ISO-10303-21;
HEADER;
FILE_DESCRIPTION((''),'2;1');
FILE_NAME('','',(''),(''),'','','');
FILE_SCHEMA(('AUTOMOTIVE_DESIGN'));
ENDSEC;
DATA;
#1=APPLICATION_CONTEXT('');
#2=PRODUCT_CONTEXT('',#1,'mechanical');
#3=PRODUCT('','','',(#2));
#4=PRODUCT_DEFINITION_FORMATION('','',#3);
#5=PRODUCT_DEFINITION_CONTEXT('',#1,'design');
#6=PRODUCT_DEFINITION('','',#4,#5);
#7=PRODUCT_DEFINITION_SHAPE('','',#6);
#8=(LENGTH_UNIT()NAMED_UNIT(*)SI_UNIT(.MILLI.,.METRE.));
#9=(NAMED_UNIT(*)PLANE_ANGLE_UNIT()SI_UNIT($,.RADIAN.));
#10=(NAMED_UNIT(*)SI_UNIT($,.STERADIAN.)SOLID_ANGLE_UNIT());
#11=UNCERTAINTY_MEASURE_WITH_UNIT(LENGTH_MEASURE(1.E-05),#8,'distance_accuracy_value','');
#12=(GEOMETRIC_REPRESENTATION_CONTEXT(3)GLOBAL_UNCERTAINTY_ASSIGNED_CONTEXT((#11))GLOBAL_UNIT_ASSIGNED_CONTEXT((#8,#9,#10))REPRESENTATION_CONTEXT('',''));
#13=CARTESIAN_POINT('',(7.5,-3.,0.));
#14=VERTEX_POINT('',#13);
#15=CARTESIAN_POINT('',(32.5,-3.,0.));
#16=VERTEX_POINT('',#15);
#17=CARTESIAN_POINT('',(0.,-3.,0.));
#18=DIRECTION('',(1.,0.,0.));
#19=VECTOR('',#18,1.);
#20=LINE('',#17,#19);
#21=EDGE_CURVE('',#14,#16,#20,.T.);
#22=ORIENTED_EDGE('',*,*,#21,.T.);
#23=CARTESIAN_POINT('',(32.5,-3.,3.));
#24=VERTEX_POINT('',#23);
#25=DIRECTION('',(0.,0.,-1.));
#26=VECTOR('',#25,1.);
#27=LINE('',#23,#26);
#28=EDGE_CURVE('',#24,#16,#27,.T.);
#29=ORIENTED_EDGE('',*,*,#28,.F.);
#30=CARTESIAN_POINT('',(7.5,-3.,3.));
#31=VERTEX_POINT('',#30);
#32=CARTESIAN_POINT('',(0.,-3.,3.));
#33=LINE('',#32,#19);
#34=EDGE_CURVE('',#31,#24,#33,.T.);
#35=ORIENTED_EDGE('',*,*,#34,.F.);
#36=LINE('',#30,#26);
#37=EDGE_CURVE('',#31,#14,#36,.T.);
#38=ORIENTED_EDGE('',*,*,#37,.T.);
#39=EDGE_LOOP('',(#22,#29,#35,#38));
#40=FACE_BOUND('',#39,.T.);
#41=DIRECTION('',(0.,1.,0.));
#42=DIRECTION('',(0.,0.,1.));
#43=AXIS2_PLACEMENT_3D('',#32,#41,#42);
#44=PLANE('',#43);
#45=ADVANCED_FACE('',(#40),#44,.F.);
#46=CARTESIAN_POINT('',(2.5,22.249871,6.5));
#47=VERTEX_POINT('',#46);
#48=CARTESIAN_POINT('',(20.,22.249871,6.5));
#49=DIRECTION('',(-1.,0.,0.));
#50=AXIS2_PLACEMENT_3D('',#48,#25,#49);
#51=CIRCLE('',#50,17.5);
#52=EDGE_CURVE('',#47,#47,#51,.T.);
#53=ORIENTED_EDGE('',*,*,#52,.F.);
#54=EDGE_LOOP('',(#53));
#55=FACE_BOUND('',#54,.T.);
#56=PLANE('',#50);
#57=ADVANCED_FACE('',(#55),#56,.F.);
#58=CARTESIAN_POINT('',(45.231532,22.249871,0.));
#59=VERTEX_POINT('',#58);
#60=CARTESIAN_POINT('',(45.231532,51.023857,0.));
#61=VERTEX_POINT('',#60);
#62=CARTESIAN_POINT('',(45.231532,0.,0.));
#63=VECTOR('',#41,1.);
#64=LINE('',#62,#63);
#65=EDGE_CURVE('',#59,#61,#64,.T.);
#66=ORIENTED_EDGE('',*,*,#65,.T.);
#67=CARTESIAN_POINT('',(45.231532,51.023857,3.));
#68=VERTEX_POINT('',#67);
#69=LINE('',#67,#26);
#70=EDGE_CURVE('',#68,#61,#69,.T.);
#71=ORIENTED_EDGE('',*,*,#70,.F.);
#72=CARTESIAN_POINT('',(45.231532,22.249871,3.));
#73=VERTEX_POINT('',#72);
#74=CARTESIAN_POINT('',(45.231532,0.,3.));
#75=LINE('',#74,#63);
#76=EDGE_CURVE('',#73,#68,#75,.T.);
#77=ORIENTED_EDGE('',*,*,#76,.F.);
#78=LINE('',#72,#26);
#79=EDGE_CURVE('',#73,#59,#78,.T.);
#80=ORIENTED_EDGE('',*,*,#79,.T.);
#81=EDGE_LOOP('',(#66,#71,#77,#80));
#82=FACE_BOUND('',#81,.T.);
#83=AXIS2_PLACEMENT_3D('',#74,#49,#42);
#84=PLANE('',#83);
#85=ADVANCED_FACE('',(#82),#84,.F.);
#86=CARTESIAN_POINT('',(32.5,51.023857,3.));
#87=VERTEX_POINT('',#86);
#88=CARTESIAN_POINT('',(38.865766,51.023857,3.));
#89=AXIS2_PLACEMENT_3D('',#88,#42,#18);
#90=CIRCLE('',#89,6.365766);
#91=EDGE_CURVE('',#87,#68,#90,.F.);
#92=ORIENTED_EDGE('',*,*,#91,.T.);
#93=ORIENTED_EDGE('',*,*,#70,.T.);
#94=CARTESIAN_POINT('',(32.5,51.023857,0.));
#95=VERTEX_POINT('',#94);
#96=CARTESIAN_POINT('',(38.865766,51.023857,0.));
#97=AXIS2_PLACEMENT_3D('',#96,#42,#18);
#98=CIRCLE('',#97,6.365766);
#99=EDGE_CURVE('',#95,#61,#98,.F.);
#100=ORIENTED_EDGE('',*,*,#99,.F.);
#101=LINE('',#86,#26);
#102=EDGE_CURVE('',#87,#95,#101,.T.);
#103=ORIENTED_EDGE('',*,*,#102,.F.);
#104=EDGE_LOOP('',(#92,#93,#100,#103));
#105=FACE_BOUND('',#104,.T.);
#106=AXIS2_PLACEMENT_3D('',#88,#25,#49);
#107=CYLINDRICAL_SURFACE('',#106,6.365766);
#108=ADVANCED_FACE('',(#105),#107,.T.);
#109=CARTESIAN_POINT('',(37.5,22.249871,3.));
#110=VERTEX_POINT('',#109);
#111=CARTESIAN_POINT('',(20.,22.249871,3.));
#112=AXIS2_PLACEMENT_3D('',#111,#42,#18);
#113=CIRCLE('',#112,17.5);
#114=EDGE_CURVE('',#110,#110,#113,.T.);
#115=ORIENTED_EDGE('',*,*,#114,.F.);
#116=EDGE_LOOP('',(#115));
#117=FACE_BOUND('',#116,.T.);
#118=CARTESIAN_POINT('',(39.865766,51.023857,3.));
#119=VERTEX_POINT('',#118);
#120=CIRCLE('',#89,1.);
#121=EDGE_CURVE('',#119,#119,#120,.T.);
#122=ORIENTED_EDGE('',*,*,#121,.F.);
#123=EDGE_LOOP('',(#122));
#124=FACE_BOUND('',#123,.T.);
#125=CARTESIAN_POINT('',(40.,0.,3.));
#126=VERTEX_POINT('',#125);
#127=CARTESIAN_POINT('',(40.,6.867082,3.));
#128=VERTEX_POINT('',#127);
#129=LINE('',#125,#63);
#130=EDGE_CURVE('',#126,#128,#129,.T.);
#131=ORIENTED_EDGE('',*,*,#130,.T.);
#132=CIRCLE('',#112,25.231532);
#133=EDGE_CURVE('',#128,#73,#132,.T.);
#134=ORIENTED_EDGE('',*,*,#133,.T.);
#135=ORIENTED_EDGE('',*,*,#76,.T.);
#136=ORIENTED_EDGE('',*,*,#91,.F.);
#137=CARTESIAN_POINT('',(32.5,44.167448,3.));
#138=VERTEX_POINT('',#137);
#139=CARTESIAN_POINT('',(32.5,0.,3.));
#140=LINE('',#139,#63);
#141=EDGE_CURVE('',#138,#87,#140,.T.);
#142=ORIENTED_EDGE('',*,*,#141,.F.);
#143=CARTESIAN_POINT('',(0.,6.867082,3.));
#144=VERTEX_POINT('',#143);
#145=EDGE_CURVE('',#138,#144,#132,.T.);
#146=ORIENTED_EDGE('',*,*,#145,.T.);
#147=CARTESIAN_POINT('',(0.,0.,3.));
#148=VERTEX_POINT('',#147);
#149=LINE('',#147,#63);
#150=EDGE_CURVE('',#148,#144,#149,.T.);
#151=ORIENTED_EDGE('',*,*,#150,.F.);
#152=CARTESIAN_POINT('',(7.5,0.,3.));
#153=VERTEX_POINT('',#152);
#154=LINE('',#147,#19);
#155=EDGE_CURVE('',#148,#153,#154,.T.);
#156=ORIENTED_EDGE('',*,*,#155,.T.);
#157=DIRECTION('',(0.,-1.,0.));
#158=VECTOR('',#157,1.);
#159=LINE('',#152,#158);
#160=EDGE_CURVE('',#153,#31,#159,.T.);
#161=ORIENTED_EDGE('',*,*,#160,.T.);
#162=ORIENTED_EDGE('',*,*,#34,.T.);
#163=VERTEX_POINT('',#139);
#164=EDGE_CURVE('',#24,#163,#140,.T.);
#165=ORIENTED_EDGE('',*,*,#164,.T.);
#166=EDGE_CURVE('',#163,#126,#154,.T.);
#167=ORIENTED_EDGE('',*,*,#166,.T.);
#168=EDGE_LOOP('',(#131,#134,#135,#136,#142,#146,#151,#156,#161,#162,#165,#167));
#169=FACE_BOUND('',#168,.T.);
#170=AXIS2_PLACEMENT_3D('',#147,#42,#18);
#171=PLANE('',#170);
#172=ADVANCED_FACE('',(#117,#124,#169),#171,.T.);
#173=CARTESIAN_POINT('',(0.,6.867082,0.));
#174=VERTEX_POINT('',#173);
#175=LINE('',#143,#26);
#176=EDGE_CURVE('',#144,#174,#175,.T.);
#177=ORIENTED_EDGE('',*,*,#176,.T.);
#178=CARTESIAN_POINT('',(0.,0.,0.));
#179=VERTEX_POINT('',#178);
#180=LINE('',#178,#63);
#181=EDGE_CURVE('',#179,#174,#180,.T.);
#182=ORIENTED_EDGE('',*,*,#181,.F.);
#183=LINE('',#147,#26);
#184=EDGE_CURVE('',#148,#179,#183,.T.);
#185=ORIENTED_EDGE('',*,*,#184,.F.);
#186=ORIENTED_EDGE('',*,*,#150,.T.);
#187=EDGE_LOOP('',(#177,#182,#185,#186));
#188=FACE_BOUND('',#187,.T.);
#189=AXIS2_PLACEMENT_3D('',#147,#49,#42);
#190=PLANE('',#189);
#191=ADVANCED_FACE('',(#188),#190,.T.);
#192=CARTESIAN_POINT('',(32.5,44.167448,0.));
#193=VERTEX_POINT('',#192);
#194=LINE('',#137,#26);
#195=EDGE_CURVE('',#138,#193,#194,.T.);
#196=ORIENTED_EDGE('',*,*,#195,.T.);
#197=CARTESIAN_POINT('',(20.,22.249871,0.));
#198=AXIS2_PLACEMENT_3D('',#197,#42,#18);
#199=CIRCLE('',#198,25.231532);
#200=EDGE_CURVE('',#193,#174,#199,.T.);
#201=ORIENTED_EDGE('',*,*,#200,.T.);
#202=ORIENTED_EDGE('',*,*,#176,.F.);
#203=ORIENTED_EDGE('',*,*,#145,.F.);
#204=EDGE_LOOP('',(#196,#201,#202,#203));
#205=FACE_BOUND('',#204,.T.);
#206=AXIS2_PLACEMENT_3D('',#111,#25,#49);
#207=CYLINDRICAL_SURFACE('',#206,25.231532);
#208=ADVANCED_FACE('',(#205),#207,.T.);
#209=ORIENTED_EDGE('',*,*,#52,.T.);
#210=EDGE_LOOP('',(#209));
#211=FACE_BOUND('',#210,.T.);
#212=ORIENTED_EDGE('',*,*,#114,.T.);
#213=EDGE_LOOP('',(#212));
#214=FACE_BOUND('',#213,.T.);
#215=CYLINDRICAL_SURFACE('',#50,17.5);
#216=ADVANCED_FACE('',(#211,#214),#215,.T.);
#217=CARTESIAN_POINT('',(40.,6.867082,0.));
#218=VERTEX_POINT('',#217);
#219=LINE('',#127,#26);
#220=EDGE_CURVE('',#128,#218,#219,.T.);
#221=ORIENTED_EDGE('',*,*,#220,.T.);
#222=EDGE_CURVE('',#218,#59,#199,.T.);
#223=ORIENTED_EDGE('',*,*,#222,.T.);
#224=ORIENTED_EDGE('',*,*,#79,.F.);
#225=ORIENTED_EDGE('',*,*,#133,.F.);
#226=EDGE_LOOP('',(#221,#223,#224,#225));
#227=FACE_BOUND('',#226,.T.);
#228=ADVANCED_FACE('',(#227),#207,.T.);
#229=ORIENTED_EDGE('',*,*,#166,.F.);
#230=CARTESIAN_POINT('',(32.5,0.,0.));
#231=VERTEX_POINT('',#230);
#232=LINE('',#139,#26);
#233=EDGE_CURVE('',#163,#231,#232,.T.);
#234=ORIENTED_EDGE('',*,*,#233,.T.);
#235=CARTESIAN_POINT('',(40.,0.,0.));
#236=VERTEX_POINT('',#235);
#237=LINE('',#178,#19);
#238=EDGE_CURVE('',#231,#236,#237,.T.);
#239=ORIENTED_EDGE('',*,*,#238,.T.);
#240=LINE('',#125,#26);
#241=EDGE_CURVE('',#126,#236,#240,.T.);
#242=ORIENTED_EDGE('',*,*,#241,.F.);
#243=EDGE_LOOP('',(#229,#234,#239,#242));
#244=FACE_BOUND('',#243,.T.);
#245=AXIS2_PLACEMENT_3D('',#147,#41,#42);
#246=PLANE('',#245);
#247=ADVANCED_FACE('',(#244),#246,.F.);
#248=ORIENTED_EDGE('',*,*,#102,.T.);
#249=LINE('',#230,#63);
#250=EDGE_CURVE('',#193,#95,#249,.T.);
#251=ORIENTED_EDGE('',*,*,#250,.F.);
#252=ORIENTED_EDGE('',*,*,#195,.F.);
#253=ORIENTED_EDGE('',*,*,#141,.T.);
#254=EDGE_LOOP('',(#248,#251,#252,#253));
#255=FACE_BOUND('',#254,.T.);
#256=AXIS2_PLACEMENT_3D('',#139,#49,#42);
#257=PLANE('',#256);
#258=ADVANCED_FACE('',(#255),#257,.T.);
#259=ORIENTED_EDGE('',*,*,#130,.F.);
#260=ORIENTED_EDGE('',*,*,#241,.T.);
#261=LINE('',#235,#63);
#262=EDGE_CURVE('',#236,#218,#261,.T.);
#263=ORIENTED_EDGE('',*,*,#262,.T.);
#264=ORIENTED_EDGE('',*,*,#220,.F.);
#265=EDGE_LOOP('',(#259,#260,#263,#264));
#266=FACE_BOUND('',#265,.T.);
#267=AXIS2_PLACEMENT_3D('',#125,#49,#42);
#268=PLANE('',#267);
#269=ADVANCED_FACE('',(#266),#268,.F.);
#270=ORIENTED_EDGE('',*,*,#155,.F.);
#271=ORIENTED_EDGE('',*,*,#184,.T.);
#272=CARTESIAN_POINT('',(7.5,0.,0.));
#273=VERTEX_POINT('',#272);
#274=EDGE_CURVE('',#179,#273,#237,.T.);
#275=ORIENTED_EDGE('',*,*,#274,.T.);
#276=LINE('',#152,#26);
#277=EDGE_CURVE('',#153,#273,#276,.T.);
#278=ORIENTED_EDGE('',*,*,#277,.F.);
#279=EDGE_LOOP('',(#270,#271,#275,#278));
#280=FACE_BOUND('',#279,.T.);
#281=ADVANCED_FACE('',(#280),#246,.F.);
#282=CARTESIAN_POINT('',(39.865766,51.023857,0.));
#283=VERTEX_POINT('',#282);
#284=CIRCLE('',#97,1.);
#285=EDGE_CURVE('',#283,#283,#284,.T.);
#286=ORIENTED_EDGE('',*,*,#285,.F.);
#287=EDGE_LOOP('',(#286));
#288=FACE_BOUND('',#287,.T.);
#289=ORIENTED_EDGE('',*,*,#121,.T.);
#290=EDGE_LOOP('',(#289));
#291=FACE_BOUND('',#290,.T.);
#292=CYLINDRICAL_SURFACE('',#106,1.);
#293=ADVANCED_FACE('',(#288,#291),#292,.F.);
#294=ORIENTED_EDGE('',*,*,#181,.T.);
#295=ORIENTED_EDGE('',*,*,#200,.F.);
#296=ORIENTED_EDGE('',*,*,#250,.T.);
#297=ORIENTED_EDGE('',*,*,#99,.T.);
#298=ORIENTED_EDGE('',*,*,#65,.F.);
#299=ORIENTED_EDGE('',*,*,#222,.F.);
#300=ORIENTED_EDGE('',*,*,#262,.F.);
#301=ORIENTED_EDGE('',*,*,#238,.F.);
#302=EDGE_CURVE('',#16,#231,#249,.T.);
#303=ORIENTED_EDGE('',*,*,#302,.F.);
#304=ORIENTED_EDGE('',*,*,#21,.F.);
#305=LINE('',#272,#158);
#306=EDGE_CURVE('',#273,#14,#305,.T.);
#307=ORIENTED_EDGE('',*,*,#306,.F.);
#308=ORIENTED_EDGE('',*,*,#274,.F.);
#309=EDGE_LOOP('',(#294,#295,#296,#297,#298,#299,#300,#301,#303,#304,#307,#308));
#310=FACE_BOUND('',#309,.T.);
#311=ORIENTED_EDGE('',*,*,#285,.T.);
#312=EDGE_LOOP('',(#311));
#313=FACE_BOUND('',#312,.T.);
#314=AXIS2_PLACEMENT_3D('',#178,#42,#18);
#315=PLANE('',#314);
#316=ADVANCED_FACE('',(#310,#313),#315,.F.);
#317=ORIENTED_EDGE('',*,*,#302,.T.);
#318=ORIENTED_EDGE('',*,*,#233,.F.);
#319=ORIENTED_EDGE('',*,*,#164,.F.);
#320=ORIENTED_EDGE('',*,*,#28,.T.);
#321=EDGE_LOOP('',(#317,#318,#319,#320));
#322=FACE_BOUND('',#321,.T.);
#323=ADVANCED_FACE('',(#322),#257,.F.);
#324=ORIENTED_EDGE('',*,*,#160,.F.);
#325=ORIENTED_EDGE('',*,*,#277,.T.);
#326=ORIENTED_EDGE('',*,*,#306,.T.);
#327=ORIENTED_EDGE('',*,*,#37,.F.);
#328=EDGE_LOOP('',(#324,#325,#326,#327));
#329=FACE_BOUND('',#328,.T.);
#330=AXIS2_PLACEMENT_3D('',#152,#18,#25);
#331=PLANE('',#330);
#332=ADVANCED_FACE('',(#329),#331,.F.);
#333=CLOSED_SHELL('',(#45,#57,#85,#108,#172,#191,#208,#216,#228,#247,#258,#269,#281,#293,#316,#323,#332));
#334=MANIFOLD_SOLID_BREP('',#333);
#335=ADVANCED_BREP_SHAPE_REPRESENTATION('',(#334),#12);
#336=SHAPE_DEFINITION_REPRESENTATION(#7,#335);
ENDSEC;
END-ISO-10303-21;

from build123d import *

# Parameters (mm, degrees)
SKETCH1_R           = 17.265633628
SKETCH1_R_2         = 1
SKETCH1_R_3         = 10
SKETCH1_W           = 25
SKETCH1_H           = 3
BOSS_EXTRUDE5_DEPTH = 3
SKETCH2_R           = 17.5
BOSS_EXTRUDE6_DEPTH = 6.5


with BuildPart() as part:
    # Sketch1 → Boss-Extrude5 (new body)
    # profile 1 of 3: a face of its own
    with BuildSketch(Plane.XY):
        with BuildLine():
            Line((0, 0), (7.5, 0))
            Line((7.5, 0), (32.5, 0))
            Line((32.5, 0), (40, 0))
            Line((40, 0), (40, 6.867081787))
            ThreePointArc((40, 6.867081787), (43.887871625, 14.125845764), (45.231531638, 22.249870507))
            Line((45.231531638, 22.249870507), (45.231531638, 51.023857348))
            ThreePointArc((45.231531638, 51.023857348), (38.865765819, 57.389623167), (32.5, 51.023857348))
            Line((32.5, 51.023857348), (32.5, 44.167447672))
            ThreePointArc((32.5, 44.167447672), (0.97654543, 38.82510399), (0, 6.867081787))
            Line((0, 6.867081787), (0, 0))
        make_face()
        with Locations((20, 22.249870507)):
            Circle(SKETCH1_R, mode=Mode.SUBTRACT)
        with Locations((38.865765819, 51.023857348)):
            Circle(SKETCH1_R_2, mode=Mode.SUBTRACT)
    # profile 2 of 3: a face of its own
    with BuildSketch(Plane.XY):
        with Locations((20, 22.249870507)):
            Circle(SKETCH1_R)
        with Locations((20, 22.249870507)):
            Circle(SKETCH1_R_3, mode=Mode.SUBTRACT)
    # profile 3 of 3: a face of its own
    with BuildSketch(Plane.XY):
        with Locations((20, -1.5)):
            Rectangle(SKETCH1_W, SKETCH1_H)
    extrude(amount=BOSS_EXTRUDE5_DEPTH)

    # Sketch2 → Boss-Extrude6 (add)
    with BuildSketch(Plane(origin=(0, 0, 0), x_dir=(-1, 0, 0), z_dir=(0, 0, -1))):
        with Locations((-20, 22.249870507)):
            Circle(SKETCH2_R)
    extrude(amount=-BOSS_EXTRUDE6_DEPTH)


solid = part.part
